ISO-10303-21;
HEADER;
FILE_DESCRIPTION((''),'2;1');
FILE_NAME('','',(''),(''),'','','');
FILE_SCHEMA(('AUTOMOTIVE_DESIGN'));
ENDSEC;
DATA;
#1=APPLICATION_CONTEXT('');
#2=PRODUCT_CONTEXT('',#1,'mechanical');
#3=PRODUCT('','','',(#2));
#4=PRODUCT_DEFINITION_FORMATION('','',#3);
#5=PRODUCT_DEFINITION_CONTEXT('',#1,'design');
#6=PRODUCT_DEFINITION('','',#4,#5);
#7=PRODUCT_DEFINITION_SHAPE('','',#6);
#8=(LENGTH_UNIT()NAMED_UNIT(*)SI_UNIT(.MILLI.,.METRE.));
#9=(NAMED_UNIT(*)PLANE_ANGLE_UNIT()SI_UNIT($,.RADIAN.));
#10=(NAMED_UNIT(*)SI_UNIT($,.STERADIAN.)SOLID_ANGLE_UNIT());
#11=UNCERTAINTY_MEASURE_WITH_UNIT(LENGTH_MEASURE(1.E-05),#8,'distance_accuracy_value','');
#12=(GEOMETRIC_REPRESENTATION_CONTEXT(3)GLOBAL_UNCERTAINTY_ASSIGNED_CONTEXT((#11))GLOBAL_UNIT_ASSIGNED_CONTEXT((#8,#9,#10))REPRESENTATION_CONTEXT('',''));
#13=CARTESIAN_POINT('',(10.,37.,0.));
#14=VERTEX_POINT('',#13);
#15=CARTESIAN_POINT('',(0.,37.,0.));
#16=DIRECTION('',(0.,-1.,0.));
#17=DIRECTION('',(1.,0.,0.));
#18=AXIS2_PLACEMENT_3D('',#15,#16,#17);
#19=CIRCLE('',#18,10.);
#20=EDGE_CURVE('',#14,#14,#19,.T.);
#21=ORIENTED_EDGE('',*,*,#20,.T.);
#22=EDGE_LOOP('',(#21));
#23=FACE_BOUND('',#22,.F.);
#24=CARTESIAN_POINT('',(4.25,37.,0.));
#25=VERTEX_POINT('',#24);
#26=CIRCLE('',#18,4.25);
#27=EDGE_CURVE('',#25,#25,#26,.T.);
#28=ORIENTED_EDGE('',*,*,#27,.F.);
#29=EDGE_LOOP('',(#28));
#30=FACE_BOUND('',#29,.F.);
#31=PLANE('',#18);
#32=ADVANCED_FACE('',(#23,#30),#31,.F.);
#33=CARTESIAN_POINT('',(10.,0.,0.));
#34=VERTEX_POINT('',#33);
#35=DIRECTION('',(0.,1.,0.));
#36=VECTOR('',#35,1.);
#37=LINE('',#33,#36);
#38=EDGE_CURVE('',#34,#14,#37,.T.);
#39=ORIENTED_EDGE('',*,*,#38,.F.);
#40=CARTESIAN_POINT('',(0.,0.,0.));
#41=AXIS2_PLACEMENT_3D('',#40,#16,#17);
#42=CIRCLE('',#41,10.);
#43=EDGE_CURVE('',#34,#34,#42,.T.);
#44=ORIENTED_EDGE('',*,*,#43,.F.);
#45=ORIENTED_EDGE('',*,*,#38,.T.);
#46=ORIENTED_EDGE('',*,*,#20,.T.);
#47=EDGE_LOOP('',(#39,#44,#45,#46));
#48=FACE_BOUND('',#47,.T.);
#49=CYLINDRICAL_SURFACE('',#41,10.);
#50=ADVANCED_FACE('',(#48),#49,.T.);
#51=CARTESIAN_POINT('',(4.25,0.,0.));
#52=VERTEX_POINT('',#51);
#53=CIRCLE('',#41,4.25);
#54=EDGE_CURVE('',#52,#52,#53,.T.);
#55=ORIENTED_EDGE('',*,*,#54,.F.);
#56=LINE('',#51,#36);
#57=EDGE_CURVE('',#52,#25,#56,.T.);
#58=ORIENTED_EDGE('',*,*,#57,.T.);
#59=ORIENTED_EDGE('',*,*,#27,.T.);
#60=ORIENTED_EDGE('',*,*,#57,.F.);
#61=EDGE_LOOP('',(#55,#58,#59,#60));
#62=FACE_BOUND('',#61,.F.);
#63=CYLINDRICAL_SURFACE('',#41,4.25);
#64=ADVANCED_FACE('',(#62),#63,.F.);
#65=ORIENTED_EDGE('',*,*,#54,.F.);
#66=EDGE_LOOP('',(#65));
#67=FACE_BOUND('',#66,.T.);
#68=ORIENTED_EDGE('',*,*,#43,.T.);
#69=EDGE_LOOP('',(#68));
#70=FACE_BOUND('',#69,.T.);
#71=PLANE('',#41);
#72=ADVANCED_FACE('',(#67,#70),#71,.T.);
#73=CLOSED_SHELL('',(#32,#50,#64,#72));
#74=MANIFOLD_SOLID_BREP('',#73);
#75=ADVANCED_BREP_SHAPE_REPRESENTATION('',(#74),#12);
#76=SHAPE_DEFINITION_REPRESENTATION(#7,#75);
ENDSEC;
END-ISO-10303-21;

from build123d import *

# Parameters (mm, degrees)
F0_R     = 10
F1_DEPTH = 37
F2_R     = 4.25
F3_DEPTH = 37.001


with BuildPart() as f1:
    # F0 (on Front) → F1 (new body)
    with BuildSketch(Plane.XZ):
        Circle(F0_R)
    extrude(amount=-F1_DEPTH)

    # F2 (on face) → F3 (cut, through all)
    with BuildSketch(Plane.XZ):
        Circle(F2_R)
    extrude(amount=-F3_DEPTH, mode=Mode.SUBTRACT)


solid = f1.part
